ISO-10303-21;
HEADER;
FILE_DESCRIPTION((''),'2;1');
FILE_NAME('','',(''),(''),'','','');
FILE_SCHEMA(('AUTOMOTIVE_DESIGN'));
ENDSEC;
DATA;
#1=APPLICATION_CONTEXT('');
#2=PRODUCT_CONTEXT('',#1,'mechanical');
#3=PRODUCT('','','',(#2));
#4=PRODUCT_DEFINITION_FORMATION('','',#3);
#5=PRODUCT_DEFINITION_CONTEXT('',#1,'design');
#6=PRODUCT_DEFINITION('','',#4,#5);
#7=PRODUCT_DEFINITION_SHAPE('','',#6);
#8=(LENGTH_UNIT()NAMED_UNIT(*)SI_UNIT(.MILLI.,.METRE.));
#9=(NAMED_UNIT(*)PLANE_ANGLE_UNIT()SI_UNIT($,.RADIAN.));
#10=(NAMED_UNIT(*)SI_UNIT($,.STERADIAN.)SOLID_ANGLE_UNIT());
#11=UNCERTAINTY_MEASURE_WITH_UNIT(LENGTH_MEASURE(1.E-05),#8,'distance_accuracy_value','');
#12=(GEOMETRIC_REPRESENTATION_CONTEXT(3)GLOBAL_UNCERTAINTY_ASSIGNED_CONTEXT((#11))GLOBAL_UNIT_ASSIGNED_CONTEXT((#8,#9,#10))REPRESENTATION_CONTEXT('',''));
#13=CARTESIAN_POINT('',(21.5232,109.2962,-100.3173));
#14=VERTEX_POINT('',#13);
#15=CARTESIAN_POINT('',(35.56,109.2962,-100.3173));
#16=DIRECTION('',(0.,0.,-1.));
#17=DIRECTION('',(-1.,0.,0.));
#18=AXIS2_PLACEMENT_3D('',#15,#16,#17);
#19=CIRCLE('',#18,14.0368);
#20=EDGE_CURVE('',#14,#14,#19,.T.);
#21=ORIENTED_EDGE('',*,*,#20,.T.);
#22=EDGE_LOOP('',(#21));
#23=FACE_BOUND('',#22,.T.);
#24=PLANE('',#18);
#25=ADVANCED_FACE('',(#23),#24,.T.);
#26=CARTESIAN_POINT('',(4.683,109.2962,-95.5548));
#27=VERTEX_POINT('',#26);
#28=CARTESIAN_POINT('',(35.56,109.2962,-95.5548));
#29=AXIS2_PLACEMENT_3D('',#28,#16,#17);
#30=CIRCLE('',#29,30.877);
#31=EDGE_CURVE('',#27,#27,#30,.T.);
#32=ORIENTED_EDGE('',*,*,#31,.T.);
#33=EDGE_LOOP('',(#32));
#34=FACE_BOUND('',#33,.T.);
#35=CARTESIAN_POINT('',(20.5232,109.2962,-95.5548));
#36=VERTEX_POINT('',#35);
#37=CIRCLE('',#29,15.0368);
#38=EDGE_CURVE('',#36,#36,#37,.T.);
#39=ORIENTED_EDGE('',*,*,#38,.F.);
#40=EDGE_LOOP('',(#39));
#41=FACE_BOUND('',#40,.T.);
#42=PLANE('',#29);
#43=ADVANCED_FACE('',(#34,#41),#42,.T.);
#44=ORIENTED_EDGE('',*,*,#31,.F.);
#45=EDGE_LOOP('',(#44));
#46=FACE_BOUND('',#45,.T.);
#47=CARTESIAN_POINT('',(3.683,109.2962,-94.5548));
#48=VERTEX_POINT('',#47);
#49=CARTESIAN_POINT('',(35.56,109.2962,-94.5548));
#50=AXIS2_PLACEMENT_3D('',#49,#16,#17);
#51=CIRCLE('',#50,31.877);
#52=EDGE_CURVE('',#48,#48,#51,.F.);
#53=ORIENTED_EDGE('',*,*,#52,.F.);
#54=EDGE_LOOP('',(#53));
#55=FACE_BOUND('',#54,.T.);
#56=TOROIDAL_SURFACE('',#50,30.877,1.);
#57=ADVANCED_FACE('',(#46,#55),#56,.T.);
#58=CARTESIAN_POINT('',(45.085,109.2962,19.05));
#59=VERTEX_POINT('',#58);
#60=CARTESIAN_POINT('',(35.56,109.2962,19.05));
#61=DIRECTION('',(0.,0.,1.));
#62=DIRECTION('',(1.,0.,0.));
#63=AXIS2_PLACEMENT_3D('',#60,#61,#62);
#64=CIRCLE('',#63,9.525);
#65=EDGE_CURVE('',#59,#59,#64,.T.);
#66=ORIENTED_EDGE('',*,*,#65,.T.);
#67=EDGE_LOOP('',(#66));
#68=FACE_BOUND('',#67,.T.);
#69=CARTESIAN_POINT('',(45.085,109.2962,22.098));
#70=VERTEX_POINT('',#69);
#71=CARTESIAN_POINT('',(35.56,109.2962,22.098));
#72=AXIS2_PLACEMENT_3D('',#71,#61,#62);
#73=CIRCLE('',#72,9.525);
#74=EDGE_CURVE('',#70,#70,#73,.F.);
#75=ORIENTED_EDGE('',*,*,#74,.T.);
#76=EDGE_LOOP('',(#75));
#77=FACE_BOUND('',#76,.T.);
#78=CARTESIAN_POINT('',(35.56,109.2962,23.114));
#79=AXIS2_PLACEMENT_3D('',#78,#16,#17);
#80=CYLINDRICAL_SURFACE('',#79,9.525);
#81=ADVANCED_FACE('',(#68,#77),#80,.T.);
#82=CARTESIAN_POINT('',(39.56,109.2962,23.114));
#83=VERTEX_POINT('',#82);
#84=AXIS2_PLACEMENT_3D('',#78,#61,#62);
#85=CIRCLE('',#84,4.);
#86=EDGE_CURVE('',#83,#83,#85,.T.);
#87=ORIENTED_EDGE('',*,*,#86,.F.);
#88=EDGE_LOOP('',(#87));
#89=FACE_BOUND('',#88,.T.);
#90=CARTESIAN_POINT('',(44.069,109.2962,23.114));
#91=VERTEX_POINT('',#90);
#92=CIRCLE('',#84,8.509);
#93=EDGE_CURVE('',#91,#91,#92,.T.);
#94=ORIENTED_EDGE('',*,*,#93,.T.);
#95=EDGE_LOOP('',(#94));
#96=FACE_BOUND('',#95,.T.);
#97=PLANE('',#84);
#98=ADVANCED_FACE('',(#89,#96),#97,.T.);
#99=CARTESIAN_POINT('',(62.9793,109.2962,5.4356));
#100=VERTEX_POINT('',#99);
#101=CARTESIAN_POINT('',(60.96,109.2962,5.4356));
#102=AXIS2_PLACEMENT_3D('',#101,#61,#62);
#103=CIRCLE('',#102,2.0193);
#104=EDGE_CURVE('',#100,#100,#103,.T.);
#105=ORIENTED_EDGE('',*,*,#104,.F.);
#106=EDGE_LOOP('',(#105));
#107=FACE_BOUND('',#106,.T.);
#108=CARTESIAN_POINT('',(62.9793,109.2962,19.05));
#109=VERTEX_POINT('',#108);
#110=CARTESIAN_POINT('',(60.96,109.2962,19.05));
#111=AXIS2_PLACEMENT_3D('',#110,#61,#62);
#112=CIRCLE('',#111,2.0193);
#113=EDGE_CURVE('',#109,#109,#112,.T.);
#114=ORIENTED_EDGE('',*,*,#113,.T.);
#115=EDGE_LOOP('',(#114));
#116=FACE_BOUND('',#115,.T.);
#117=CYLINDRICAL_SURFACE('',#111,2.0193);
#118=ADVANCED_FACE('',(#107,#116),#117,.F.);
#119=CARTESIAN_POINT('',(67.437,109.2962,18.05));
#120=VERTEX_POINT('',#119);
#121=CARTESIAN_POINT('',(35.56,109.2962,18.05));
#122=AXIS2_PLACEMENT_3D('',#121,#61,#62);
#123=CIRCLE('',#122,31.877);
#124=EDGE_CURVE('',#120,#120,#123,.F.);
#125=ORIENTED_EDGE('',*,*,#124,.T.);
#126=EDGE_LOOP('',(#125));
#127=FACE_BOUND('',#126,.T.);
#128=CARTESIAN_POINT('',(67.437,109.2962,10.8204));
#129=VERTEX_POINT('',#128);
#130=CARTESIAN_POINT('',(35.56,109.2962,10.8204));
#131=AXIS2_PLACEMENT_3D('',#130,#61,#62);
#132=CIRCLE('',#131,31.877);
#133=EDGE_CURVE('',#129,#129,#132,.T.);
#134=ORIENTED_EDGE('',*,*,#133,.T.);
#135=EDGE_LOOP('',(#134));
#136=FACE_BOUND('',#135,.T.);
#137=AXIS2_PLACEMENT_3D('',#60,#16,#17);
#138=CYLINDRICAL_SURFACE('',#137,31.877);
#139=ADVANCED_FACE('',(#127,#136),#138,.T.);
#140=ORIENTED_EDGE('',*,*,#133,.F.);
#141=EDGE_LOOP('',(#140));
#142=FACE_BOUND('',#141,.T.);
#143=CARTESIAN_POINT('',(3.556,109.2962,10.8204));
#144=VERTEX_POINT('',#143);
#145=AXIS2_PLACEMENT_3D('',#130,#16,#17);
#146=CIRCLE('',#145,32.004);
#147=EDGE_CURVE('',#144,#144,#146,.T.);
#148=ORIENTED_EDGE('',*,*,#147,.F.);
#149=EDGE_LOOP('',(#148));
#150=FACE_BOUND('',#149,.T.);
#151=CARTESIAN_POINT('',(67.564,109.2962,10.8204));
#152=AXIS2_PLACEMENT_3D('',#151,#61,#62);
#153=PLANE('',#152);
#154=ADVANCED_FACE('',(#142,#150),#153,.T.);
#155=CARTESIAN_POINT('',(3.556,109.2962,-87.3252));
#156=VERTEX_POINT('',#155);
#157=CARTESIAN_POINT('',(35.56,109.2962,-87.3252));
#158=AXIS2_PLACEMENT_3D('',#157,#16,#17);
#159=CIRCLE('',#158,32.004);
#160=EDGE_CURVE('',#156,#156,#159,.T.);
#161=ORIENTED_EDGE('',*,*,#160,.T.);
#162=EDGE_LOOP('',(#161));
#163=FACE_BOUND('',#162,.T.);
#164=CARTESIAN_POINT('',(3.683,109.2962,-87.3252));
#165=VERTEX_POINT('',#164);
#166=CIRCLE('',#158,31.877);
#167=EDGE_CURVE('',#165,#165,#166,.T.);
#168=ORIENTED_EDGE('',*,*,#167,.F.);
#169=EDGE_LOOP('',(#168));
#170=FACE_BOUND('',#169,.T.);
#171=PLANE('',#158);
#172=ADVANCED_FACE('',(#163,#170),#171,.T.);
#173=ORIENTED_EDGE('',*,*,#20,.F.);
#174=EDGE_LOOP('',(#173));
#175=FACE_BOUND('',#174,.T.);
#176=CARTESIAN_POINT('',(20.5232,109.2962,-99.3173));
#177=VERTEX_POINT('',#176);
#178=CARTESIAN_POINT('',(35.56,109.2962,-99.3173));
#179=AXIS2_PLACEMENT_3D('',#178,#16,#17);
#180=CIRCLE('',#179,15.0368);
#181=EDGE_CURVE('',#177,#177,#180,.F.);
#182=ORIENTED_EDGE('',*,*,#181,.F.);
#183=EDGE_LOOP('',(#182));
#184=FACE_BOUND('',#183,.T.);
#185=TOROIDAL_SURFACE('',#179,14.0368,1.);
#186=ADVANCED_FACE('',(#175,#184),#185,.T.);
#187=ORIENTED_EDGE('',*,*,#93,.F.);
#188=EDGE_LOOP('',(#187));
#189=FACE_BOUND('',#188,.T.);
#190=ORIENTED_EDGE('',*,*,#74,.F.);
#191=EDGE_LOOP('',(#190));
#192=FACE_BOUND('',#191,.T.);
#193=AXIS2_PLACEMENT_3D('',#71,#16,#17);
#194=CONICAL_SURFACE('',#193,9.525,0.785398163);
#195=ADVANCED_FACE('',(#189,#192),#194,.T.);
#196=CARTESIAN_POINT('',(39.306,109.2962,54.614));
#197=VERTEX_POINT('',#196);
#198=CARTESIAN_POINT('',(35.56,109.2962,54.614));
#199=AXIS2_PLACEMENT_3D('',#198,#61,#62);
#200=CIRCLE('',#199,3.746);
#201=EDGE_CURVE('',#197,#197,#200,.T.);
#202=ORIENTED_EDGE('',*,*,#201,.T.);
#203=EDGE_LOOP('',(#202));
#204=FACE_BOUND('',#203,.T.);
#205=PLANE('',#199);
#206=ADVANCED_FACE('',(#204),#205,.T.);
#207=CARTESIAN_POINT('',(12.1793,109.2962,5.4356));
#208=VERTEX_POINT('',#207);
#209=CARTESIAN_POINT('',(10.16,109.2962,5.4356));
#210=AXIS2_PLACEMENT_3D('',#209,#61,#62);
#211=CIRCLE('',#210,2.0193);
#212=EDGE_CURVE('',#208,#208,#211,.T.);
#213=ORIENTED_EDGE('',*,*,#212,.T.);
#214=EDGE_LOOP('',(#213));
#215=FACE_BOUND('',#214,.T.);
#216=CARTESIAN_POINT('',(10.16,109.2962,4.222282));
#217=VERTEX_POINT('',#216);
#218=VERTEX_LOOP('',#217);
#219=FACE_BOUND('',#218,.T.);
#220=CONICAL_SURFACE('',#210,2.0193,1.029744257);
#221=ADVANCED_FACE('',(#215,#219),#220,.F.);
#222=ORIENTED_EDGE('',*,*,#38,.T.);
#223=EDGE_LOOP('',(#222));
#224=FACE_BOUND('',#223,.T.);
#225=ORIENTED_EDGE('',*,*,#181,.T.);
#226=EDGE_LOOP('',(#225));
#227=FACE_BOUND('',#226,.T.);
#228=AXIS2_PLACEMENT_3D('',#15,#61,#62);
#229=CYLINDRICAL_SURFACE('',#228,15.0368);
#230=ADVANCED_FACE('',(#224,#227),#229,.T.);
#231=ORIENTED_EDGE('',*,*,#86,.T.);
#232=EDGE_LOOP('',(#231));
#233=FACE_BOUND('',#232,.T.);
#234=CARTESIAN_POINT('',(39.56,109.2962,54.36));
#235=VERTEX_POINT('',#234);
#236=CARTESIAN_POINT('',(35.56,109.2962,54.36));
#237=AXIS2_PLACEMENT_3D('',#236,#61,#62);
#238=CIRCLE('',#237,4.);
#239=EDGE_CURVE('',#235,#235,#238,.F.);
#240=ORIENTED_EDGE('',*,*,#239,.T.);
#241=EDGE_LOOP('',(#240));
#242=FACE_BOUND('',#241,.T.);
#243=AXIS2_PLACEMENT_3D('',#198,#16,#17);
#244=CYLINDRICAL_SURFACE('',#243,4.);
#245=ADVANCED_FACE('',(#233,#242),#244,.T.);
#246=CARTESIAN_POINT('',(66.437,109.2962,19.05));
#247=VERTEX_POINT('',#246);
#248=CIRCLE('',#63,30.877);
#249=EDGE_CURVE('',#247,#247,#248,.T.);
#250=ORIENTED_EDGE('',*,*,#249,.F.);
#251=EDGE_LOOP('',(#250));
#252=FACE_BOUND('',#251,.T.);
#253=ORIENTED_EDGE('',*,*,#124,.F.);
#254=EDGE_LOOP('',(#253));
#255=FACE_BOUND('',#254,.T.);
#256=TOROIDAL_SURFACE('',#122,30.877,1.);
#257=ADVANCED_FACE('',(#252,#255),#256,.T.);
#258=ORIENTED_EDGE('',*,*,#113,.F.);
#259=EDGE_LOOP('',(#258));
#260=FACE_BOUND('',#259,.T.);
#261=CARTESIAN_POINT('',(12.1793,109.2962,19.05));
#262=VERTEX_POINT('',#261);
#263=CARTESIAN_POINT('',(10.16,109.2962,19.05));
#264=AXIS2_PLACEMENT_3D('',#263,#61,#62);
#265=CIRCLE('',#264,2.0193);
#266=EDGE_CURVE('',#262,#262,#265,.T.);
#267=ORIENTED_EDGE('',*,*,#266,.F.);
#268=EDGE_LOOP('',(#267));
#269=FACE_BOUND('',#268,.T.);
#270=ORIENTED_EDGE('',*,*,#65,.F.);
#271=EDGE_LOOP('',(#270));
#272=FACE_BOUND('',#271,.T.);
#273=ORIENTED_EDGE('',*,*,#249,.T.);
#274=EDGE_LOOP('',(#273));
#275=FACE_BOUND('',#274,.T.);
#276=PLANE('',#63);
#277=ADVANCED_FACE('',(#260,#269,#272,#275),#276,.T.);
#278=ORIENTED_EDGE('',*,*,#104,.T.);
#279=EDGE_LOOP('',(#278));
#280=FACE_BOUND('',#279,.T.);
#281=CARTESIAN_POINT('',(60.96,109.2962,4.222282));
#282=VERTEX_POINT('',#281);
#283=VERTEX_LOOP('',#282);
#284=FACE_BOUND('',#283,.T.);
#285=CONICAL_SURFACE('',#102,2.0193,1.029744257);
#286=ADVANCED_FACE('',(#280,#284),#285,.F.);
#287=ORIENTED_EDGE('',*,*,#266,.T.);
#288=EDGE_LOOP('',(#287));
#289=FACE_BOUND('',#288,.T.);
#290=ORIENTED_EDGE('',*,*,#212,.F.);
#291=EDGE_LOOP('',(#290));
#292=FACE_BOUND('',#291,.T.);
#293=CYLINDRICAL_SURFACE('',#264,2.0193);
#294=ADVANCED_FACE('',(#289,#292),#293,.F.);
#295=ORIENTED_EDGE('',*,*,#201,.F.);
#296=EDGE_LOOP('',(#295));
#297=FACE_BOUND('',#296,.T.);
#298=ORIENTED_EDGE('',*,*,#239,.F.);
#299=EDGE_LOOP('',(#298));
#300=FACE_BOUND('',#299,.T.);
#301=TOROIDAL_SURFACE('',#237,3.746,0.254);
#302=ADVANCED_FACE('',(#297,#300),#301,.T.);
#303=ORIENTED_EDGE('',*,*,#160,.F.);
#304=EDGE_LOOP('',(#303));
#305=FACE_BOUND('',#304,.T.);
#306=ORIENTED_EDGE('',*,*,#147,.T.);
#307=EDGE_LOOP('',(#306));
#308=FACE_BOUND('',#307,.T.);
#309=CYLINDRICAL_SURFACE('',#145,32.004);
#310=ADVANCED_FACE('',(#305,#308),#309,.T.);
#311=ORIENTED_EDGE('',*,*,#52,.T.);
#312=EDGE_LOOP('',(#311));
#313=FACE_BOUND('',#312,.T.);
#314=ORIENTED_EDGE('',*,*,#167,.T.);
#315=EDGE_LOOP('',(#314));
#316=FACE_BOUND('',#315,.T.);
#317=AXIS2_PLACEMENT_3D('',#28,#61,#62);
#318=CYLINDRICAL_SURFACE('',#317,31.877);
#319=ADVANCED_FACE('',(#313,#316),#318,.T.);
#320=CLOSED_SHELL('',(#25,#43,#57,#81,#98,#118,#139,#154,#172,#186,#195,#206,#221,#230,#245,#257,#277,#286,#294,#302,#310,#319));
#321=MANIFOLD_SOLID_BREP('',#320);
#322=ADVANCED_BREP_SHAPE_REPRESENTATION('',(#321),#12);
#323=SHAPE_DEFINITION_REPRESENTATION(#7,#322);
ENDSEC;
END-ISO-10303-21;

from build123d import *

# Parameters (mm, degrees)
SKETCH1_W           = 32.004
SKETCH1_H           = 98.1456
SKETCH2_R           = 31.877
BOSS_EXTRUDE1_DEPTH = 8.2296
SKETCH5_R           = 9.525
BOSS_EXTRUDE2_DEPTH = 4.572
SKETCH6_R           = 4
BOSS_EXTRUDE3_DEPTH = 31.5
BOSS_EXTRUDE4_START = 8.2296
SKETCH8_R           = 31.877
BOSS_EXTRUDE4_DEPTH = 8.2296
SKETCH9_R           = 15.0368
BOSS_EXTRUDE5_DEPTH = 4.7625
HOLE2_D             = 4.0386
HOLE2_DEPTH         = 13.6144
HOLE2_TIP           = 1.213317848
HOLE3_D             = 4.0386
HOLE3_DEPTH         = 13.6144
HOLE3_TIP           = 1.213317848
CHAMFER1_SIZE       = 1.015999998
CHAMFER1_SIZE2      = 1.016
FILLET1_R           = 0.254
FILLET2_R           = 1
FILLET3_R           = 1
FILLET4_R           = 1


with BuildPart() as part:
    # Sketch1 → Revolve1 (revolve)
    with BuildSketch(Plane.XZ.offset(-109.2962)):
        with Locations((51.562, -38.2524)):
            Rectangle(SKETCH1_W, SKETCH1_H)
    revolve(axis=Axis((35.56, 109.2962, 10.8204), (0, 0, -1)))

    # Sketch2 → Boss-Extrude1 (add)
    with BuildSketch(Plane.XY.offset(10.8204)):
        with Locations((35.56, 109.2962)):
            Circle(SKETCH2_R)
    extrude(amount=BOSS_EXTRUDE1_DEPTH)

    # Sketch5 → Boss-Extrude2 (add)
    with BuildSketch(Plane(origin=(0, 0, 18.542), x_dir=(-1, 0, 0), z_dir=(0, 0, -1))):
        with Locations((-35.56, 109.2962)):
            Circle(SKETCH5_R)
    extrude(amount=-BOSS_EXTRUDE2_DEPTH)

    # Sketch6 → Boss-Extrude3 (add)
    with BuildSketch(Plane.XY.offset(23.114)):
        with Locations((35.56, 109.2962)):
            Circle(SKETCH6_R)
    extrude(amount=BOSS_EXTRUDE3_DEPTH)

    # Sketch8 → Boss-Extrude4 (add)
    with BuildSketch(Plane(origin=(0, 0, -87.3252), x_dir=(-1, 0, 0), z_dir=(0, 0, -1)).offset(BOSS_EXTRUDE4_START)):
        with Locations((-35.56, 109.2962)):
            Circle(SKETCH8_R)
    extrude(amount=-BOSS_EXTRUDE4_DEPTH)

    # Sketch9 → Boss-Extrude5 (add)
    with BuildSketch(Plane(origin=(0, 0, -95.5548), x_dir=(-1, 0, 0), z_dir=(0, 0, -1))):
        with Locations((-35.56, 109.2962)):
            Circle(SKETCH9_R)
    extrude(amount=BOSS_EXTRUDE5_DEPTH)

    # Hole2
    with Locations(Plane.XY.offset(19.05)):
        with Locations((60.96, 109.2962)):
            Hole(HOLE2_D / 2, depth=HOLE2_DEPTH)
            with Locations((0, 0, -(HOLE2_DEPTH + HOLE2_TIP / 2))):  # 118° drill point
                Cone(0, HOLE2_D / 2, HOLE2_TIP, mode=Mode.SUBTRACT)

    # Hole3
    with Locations(Plane.XY.offset(19.05)):
        with Locations((10.16, 109.2962)):
            Hole(HOLE3_D / 2, depth=HOLE3_DEPTH)
            with Locations((0, 0, -(HOLE3_DEPTH + HOLE3_TIP / 2))):  # 118° drill point
                Cone(0, HOLE3_D / 2, HOLE3_TIP, mode=Mode.SUBTRACT)

    # Chamfer1
    chamfer1_edges = [part.edges().sort_by_distance(p)[0] for p in [
        (45.085, 109.2962, 23.114),
    ]]
    chamfer1_side = [part.faces().sort_by_distance(p)[0] for p in [
        (44.815592316, 109.2962, 23.114),
    ]]
    chamfer(chamfer1_edges, length=CHAMFER1_SIZE, length2=CHAMFER1_SIZE2, reference=chamfer1_side[0])

    # Fillet1
    fillet1_edges = [part.edges().sort_by_distance(p)[0] for p in [
        (31.56, 109.2962, 54.614),
    ]]
    fillet(fillet1_edges, radius=FILLET1_R)

    # Fillet2
    fillet2_edges = [part.edges().sort_by_distance(p)[0] for p in [
        (67.437, 109.2962, -95.5548),
    ]]
    fillet(fillet2_edges, radius=FILLET2_R)

    # Fillet3
    fillet3_edges = [part.edges().sort_by_distance(p)[0] for p in [
        (3.683, 109.2962, 19.05),
    ]]
    fillet(fillet3_edges, radius=FILLET3_R)

    # Fillet4
    fillet4_edges = [part.edges().sort_by_distance(p)[0] for p in [
        (50.5968, 109.2962, -100.3173),
    ]]
    fillet(fillet4_edges, radius=FILLET4_R)


solid = part.part
